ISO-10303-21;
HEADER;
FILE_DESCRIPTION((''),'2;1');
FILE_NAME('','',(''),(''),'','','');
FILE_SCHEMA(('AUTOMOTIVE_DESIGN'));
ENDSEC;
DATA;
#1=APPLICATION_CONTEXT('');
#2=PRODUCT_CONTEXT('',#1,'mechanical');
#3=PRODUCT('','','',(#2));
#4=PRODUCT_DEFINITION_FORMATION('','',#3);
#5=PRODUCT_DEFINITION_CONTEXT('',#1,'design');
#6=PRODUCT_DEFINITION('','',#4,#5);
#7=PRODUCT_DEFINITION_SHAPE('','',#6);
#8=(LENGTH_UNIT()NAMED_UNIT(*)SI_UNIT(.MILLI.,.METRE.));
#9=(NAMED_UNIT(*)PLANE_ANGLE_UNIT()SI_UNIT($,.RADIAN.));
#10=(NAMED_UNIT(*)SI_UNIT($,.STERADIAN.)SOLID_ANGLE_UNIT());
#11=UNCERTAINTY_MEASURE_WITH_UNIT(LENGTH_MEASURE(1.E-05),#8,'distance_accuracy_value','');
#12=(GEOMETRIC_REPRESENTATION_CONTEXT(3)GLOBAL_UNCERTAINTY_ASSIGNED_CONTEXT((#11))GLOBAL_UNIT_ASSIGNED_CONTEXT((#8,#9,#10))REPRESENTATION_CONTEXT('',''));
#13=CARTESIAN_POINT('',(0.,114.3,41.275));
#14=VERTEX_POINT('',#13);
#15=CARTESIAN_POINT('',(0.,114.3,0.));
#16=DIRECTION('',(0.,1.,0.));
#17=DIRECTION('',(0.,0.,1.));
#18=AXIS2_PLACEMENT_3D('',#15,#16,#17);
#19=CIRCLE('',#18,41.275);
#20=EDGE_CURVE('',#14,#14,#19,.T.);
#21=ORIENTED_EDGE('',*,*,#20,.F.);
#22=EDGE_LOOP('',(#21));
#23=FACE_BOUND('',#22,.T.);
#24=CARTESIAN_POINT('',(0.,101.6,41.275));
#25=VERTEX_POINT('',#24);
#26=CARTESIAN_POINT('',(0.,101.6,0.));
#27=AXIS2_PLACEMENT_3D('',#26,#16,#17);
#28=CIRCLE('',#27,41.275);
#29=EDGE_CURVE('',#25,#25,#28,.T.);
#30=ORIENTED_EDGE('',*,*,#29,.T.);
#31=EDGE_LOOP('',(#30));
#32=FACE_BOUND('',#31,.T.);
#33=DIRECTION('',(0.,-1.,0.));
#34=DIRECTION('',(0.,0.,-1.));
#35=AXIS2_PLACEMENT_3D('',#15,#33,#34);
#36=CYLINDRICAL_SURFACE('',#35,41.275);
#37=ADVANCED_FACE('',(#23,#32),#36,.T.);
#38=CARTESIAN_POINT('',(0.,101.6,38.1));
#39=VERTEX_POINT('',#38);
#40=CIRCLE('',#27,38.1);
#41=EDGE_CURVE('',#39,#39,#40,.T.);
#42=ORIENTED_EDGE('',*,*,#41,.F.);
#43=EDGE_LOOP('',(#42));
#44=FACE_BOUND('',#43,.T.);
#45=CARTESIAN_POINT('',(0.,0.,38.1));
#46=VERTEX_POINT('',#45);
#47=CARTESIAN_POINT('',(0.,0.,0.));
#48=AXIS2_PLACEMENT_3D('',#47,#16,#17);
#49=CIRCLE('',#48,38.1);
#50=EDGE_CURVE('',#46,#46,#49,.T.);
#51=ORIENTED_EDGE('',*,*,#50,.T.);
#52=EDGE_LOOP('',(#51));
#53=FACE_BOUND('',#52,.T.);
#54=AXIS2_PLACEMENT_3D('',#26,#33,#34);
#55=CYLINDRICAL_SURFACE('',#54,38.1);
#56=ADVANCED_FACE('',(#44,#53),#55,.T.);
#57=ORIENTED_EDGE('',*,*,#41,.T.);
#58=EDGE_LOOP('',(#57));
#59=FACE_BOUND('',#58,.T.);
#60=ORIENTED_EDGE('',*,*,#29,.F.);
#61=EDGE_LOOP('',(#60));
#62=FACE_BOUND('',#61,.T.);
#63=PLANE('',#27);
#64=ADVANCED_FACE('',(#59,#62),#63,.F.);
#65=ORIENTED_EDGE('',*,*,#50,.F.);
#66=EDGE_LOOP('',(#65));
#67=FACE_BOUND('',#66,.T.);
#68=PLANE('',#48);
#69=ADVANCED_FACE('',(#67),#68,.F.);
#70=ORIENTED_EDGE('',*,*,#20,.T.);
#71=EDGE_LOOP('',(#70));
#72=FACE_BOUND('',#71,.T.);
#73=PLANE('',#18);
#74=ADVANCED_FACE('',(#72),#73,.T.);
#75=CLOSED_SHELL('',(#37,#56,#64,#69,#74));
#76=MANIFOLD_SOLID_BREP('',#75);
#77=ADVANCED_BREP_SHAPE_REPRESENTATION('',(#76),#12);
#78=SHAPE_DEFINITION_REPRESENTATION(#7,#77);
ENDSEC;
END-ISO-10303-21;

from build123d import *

# Parameters (mm, degrees)
SKETCH1_R           = 38.1
BOSS_EXTRUDE1_DEPTH = 101.6
SKETCH2_R           = 41.275
BOSS_EXTRUDE2_DEPTH = 12.7


with BuildPart() as part:
    # Sketch1 → Boss-Extrude1 (new body)
    with BuildSketch(Plane(origin=(0, 0, 0), x_dir=(1, 0, 0), z_dir=(0, 1, 0))):
        with Locations(Location((0, 0, 0), (0, 0, 270))):
            Circle(SKETCH1_R)
    extrude(amount=BOSS_EXTRUDE1_DEPTH)

    # Sketch2 → Boss-Extrude2 (add)
    with BuildSketch(Plane(origin=(0, 101.6, 0), x_dir=(1, 0, 0), z_dir=(0, 1, 0))):
        with Locations(Location((0, 0, 0), (0, 0, 270))):
            Circle(SKETCH2_R)
    extrude(amount=BOSS_EXTRUDE2_DEPTH)


solid = part.part
